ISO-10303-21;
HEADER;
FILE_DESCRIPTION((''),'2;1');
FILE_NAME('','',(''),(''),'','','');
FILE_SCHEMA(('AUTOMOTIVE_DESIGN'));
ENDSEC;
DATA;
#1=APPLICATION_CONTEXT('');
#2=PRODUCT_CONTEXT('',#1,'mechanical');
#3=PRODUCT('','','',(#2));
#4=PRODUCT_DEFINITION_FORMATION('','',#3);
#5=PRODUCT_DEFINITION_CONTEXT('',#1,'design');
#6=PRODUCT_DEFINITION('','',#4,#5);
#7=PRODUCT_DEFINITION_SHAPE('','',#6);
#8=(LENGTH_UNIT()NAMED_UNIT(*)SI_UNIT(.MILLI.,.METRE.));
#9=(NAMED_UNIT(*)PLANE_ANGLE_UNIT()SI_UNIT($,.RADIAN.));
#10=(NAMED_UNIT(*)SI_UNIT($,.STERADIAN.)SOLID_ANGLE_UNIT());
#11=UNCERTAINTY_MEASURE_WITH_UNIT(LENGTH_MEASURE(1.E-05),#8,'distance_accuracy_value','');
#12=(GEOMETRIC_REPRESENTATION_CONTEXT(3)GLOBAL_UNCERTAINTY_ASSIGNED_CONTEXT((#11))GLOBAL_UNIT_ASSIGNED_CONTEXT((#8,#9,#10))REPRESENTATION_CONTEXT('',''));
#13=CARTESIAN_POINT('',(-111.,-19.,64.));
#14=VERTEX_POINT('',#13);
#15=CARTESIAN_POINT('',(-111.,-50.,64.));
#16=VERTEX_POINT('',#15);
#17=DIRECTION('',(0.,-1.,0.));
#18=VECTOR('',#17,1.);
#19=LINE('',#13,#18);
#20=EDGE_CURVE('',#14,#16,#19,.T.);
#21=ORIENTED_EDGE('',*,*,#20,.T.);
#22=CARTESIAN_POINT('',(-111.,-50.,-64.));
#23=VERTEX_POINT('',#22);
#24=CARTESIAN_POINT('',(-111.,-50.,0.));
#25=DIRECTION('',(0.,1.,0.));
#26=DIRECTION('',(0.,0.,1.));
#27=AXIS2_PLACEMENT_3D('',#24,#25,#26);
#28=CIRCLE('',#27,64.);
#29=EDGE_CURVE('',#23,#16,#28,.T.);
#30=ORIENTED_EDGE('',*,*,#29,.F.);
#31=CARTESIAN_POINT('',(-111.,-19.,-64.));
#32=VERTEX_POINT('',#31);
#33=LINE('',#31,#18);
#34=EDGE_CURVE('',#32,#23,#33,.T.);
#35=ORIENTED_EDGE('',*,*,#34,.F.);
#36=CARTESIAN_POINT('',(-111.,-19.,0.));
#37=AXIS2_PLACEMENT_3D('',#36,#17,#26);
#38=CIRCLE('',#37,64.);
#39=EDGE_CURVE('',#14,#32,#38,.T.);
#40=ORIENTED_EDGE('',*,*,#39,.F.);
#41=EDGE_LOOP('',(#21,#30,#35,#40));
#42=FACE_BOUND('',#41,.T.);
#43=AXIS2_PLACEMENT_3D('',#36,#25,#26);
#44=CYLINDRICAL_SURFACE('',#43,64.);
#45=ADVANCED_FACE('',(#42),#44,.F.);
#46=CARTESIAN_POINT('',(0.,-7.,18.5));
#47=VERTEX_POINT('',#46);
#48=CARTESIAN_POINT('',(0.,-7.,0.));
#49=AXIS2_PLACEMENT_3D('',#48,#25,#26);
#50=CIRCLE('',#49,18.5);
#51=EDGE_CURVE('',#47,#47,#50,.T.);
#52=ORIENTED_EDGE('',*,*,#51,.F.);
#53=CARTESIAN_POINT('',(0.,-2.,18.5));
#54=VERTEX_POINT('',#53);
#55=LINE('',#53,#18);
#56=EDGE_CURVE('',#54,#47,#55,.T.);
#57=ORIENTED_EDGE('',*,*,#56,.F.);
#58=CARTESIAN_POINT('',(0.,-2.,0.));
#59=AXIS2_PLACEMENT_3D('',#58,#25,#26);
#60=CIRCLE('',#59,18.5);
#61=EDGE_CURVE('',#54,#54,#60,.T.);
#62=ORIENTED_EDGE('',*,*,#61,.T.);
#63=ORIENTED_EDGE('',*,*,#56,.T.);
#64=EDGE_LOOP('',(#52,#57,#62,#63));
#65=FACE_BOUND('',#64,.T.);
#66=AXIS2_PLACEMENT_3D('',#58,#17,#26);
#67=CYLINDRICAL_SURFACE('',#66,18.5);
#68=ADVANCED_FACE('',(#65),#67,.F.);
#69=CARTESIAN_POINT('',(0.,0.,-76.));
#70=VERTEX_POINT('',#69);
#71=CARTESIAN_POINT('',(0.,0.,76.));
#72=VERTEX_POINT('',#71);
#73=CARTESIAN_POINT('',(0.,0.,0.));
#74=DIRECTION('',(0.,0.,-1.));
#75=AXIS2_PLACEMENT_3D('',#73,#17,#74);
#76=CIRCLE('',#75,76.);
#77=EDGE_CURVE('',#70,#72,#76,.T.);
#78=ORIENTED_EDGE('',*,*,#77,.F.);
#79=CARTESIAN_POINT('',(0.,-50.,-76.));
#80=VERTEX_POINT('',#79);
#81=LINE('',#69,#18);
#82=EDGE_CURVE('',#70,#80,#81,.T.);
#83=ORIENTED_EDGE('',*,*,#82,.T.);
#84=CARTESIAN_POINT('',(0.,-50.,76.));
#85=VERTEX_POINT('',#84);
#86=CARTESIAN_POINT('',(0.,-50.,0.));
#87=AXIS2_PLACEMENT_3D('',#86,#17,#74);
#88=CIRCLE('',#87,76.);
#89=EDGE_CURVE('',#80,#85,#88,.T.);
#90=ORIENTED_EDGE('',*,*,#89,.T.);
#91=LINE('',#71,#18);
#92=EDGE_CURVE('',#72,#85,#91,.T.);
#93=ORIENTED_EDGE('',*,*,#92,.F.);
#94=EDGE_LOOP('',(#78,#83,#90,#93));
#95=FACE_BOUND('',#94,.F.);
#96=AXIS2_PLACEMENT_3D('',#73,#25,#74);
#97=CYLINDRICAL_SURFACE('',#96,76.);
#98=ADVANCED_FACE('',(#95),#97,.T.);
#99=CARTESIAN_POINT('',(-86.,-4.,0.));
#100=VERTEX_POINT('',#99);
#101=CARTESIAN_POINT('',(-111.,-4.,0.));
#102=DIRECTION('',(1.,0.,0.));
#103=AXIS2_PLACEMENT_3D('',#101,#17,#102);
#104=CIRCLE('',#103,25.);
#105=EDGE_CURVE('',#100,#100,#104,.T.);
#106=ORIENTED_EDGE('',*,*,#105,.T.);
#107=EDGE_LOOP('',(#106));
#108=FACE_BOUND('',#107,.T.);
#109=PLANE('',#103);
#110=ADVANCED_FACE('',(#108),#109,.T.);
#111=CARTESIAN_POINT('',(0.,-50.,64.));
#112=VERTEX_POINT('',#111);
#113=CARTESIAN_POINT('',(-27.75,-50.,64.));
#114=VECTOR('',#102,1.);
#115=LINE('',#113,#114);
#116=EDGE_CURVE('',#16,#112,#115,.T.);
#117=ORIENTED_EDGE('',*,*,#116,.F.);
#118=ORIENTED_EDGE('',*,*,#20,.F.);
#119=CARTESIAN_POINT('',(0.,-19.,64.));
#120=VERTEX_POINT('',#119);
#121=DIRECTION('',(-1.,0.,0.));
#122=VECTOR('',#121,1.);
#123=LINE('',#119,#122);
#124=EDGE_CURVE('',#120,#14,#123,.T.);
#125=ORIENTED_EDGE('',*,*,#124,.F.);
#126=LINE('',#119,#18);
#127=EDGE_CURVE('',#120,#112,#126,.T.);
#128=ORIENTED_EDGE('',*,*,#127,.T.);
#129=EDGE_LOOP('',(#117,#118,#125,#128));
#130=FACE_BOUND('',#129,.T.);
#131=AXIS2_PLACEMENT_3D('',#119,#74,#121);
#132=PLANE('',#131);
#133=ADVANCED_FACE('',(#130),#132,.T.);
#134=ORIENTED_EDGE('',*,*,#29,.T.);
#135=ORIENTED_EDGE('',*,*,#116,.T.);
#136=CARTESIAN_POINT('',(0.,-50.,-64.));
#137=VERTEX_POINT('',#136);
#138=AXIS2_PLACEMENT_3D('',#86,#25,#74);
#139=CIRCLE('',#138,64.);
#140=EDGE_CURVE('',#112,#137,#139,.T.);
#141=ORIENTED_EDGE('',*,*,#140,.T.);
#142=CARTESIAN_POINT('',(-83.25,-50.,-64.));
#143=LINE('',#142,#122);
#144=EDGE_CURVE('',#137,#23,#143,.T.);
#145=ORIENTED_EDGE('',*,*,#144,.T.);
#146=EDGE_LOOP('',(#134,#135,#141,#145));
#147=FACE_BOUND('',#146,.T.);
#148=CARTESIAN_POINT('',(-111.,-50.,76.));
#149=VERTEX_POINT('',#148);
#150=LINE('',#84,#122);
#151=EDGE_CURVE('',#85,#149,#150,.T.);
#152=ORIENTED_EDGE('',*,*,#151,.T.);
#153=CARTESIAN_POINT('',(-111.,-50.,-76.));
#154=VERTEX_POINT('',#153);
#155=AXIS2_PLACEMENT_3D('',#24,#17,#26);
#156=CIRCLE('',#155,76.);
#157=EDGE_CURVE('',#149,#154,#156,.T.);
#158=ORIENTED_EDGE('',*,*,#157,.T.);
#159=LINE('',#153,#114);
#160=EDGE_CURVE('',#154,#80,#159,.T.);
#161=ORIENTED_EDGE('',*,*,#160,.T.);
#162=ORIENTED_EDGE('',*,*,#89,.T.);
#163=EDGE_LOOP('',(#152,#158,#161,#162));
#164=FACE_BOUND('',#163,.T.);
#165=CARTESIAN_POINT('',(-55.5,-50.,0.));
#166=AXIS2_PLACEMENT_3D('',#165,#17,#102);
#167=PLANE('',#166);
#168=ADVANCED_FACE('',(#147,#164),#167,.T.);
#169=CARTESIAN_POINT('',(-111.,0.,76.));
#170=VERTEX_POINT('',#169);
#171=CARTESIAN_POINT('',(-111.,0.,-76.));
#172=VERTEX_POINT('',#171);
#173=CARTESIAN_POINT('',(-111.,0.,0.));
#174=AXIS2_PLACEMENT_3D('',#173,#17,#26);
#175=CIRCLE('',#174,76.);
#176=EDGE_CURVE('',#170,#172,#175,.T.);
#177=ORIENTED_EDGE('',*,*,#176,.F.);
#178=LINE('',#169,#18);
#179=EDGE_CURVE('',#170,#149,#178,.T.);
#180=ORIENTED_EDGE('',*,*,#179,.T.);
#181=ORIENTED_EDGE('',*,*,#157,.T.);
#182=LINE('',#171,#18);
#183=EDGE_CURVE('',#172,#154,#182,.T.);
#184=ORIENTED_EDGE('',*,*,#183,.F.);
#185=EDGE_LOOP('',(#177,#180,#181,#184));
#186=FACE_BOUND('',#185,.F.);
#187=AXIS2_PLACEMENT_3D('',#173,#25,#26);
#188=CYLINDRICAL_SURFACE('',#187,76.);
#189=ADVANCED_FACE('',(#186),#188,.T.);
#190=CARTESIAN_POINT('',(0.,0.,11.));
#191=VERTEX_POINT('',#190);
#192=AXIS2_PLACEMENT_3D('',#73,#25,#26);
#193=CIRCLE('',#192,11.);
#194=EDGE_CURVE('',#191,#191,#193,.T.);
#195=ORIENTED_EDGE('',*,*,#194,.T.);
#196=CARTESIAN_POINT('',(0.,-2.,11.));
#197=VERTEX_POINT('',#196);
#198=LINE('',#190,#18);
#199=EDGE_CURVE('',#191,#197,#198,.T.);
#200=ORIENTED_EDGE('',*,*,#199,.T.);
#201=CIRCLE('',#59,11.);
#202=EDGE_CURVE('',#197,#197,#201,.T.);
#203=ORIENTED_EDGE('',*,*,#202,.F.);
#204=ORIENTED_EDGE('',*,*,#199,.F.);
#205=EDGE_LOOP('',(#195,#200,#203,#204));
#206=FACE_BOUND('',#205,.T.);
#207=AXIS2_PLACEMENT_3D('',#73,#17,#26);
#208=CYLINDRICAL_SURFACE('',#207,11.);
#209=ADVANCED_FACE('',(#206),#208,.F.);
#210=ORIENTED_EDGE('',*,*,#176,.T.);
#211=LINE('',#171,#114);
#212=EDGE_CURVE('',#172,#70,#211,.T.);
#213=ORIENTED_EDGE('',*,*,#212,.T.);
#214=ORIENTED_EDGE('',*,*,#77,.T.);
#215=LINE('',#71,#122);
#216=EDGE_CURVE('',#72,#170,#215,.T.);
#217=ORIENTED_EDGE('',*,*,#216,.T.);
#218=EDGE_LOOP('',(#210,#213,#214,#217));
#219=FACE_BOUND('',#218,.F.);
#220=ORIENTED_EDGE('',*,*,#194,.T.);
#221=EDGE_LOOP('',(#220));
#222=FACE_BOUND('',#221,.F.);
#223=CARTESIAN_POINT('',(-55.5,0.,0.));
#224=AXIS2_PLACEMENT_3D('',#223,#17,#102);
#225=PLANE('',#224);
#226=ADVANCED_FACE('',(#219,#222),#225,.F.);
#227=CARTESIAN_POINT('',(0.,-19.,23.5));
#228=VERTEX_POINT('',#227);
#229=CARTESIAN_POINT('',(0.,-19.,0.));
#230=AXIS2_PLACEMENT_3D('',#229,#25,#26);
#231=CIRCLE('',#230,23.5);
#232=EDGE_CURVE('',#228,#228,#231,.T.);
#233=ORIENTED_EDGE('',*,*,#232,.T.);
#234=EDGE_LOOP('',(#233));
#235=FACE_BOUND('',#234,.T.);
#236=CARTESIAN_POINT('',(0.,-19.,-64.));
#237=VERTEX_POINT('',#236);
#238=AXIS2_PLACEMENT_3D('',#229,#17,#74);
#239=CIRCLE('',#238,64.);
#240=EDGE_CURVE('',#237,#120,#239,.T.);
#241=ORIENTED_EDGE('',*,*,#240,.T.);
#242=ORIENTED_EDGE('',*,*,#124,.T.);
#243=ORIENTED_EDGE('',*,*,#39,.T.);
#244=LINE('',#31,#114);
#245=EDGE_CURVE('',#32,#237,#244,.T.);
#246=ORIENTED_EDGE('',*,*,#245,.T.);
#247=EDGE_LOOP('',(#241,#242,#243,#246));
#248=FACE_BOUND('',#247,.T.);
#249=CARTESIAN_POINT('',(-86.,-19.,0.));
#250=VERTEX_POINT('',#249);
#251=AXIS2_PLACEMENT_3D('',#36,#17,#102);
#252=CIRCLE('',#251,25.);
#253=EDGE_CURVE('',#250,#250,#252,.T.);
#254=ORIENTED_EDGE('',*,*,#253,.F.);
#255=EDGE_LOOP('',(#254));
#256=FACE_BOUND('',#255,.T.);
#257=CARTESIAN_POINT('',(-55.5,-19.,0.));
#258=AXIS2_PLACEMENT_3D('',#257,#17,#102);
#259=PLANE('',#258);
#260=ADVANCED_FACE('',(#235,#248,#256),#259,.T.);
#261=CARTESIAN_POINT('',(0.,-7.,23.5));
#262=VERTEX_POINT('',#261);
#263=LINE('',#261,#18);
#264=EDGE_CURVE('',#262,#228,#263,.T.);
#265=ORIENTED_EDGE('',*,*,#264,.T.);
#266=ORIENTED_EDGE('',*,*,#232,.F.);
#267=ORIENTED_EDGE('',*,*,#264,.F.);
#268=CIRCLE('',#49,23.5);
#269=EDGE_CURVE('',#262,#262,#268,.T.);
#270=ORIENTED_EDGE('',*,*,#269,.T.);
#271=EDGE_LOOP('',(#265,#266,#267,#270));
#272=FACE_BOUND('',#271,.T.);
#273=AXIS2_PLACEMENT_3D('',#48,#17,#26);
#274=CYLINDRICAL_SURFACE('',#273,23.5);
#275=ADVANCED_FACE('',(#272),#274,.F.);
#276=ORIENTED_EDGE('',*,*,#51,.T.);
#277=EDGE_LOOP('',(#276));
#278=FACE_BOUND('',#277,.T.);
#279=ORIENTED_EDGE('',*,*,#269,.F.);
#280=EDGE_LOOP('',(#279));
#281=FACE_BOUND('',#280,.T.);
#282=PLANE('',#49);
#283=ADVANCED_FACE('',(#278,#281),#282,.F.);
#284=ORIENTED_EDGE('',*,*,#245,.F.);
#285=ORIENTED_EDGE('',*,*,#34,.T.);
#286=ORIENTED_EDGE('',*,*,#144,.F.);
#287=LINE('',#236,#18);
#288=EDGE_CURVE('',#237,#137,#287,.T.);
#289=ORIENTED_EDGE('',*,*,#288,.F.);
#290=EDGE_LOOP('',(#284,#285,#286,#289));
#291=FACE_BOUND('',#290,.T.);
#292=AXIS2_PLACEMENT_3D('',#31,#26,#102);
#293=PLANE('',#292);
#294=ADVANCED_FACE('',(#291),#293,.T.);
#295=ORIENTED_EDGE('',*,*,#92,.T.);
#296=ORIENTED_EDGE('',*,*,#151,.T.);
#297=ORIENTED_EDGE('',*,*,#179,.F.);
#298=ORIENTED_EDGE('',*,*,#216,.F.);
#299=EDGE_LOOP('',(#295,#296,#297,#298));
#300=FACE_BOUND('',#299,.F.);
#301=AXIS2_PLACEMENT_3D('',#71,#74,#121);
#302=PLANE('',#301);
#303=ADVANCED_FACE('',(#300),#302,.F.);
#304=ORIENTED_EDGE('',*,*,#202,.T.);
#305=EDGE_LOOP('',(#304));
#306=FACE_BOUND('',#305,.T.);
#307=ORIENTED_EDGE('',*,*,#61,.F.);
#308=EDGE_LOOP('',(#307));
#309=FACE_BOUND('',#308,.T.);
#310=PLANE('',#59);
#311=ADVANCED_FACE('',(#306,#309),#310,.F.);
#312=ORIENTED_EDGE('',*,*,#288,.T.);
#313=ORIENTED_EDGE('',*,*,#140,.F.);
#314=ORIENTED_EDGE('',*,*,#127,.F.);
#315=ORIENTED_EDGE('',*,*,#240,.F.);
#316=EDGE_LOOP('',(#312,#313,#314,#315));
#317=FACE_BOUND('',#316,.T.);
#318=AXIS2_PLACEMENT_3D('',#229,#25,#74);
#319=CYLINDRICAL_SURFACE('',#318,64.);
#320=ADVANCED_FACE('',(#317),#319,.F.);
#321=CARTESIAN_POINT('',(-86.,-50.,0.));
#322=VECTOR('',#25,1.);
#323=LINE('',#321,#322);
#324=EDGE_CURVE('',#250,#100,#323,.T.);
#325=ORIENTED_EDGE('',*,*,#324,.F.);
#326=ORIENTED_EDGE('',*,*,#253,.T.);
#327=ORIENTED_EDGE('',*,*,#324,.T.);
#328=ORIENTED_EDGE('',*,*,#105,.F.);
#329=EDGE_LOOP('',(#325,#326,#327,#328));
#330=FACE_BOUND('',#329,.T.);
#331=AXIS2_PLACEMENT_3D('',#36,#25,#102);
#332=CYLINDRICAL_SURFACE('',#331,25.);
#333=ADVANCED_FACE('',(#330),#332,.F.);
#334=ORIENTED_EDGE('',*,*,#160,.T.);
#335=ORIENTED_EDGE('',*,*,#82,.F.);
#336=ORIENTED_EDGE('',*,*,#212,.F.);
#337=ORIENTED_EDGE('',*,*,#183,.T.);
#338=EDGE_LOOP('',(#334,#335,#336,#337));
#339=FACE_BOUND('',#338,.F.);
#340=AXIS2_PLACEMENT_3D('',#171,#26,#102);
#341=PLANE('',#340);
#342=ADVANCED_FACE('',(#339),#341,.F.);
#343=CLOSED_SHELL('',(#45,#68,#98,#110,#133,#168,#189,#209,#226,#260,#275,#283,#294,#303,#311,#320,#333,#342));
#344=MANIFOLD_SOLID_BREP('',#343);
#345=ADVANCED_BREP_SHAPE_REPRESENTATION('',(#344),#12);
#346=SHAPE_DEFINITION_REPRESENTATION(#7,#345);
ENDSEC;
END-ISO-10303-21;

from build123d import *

# Parameters (mm, degrees)
F3_DEPTH = 50
F2_R     = 25
F4_DEPTH = 15
F5_DEPTH = 35
F6_DEPTH = 35


with BuildPart() as f3:
    # F0 (on Front) → F3 (new body)
    with BuildSketch(Plane.XZ):
        with BuildLine():
            Line((0, 76), (-111, 76))
            ThreePointArc((-111, 76), (-187, 0), (-111, -76))
            Line((-111, -76), (0, -76))
            ThreePointArc((0, -76), (76, 0), (0, 76))
        make_face()
    extrude(amount=F3_DEPTH)

    # F2 (on offset) → F4 (cut)
    with BuildSketch(Plane.XZ.offset(19)):
        with Locations((-111, 0)):
            Circle(F2_R)
    extrude(amount=-F4_DEPTH, mode=Mode.SUBTRACT)

    # F2 (on offset) → F5 (cut)
    with BuildSketch(Plane.XZ.offset(19)):
        with Locations((-111, 0)):
            Circle(F2_R)
    extrude(amount=F5_DEPTH, mode=Mode.SUBTRACT)

    # F2 (on offset) → F6 (cut)
    with BuildSketch(Plane.XZ.offset(19)):
        with BuildLine():
            Line((0, 64), (-111, 64))
            ThreePointArc((-111, 64), (-175, 0), (-111, -64))
            Line((-111, -64), (0, -64))
            ThreePointArc((0, -64), (64, 0), (0, 64))
        make_face()
        with Locations((-111, 0)):
            Circle(F2_R, mode=Mode.SUBTRACT)
    extrude(amount=F6_DEPTH, mode=Mode.SUBTRACT)

    # F7 (on Right) → F8 (revolve, cut)
    with BuildSketch(Plane.YZ):
        Polygon((0, 11), (-2, 11), (-2, 18.5), (-7, 18.5), (-7, 23.5), (-19, 23.5), (-19, 0), (0, 0), align=None)
    revolve(axis=Axis((0, 0, 0), (0, 1, 0)), mode=Mode.SUBTRACT)


solid = f3.part
